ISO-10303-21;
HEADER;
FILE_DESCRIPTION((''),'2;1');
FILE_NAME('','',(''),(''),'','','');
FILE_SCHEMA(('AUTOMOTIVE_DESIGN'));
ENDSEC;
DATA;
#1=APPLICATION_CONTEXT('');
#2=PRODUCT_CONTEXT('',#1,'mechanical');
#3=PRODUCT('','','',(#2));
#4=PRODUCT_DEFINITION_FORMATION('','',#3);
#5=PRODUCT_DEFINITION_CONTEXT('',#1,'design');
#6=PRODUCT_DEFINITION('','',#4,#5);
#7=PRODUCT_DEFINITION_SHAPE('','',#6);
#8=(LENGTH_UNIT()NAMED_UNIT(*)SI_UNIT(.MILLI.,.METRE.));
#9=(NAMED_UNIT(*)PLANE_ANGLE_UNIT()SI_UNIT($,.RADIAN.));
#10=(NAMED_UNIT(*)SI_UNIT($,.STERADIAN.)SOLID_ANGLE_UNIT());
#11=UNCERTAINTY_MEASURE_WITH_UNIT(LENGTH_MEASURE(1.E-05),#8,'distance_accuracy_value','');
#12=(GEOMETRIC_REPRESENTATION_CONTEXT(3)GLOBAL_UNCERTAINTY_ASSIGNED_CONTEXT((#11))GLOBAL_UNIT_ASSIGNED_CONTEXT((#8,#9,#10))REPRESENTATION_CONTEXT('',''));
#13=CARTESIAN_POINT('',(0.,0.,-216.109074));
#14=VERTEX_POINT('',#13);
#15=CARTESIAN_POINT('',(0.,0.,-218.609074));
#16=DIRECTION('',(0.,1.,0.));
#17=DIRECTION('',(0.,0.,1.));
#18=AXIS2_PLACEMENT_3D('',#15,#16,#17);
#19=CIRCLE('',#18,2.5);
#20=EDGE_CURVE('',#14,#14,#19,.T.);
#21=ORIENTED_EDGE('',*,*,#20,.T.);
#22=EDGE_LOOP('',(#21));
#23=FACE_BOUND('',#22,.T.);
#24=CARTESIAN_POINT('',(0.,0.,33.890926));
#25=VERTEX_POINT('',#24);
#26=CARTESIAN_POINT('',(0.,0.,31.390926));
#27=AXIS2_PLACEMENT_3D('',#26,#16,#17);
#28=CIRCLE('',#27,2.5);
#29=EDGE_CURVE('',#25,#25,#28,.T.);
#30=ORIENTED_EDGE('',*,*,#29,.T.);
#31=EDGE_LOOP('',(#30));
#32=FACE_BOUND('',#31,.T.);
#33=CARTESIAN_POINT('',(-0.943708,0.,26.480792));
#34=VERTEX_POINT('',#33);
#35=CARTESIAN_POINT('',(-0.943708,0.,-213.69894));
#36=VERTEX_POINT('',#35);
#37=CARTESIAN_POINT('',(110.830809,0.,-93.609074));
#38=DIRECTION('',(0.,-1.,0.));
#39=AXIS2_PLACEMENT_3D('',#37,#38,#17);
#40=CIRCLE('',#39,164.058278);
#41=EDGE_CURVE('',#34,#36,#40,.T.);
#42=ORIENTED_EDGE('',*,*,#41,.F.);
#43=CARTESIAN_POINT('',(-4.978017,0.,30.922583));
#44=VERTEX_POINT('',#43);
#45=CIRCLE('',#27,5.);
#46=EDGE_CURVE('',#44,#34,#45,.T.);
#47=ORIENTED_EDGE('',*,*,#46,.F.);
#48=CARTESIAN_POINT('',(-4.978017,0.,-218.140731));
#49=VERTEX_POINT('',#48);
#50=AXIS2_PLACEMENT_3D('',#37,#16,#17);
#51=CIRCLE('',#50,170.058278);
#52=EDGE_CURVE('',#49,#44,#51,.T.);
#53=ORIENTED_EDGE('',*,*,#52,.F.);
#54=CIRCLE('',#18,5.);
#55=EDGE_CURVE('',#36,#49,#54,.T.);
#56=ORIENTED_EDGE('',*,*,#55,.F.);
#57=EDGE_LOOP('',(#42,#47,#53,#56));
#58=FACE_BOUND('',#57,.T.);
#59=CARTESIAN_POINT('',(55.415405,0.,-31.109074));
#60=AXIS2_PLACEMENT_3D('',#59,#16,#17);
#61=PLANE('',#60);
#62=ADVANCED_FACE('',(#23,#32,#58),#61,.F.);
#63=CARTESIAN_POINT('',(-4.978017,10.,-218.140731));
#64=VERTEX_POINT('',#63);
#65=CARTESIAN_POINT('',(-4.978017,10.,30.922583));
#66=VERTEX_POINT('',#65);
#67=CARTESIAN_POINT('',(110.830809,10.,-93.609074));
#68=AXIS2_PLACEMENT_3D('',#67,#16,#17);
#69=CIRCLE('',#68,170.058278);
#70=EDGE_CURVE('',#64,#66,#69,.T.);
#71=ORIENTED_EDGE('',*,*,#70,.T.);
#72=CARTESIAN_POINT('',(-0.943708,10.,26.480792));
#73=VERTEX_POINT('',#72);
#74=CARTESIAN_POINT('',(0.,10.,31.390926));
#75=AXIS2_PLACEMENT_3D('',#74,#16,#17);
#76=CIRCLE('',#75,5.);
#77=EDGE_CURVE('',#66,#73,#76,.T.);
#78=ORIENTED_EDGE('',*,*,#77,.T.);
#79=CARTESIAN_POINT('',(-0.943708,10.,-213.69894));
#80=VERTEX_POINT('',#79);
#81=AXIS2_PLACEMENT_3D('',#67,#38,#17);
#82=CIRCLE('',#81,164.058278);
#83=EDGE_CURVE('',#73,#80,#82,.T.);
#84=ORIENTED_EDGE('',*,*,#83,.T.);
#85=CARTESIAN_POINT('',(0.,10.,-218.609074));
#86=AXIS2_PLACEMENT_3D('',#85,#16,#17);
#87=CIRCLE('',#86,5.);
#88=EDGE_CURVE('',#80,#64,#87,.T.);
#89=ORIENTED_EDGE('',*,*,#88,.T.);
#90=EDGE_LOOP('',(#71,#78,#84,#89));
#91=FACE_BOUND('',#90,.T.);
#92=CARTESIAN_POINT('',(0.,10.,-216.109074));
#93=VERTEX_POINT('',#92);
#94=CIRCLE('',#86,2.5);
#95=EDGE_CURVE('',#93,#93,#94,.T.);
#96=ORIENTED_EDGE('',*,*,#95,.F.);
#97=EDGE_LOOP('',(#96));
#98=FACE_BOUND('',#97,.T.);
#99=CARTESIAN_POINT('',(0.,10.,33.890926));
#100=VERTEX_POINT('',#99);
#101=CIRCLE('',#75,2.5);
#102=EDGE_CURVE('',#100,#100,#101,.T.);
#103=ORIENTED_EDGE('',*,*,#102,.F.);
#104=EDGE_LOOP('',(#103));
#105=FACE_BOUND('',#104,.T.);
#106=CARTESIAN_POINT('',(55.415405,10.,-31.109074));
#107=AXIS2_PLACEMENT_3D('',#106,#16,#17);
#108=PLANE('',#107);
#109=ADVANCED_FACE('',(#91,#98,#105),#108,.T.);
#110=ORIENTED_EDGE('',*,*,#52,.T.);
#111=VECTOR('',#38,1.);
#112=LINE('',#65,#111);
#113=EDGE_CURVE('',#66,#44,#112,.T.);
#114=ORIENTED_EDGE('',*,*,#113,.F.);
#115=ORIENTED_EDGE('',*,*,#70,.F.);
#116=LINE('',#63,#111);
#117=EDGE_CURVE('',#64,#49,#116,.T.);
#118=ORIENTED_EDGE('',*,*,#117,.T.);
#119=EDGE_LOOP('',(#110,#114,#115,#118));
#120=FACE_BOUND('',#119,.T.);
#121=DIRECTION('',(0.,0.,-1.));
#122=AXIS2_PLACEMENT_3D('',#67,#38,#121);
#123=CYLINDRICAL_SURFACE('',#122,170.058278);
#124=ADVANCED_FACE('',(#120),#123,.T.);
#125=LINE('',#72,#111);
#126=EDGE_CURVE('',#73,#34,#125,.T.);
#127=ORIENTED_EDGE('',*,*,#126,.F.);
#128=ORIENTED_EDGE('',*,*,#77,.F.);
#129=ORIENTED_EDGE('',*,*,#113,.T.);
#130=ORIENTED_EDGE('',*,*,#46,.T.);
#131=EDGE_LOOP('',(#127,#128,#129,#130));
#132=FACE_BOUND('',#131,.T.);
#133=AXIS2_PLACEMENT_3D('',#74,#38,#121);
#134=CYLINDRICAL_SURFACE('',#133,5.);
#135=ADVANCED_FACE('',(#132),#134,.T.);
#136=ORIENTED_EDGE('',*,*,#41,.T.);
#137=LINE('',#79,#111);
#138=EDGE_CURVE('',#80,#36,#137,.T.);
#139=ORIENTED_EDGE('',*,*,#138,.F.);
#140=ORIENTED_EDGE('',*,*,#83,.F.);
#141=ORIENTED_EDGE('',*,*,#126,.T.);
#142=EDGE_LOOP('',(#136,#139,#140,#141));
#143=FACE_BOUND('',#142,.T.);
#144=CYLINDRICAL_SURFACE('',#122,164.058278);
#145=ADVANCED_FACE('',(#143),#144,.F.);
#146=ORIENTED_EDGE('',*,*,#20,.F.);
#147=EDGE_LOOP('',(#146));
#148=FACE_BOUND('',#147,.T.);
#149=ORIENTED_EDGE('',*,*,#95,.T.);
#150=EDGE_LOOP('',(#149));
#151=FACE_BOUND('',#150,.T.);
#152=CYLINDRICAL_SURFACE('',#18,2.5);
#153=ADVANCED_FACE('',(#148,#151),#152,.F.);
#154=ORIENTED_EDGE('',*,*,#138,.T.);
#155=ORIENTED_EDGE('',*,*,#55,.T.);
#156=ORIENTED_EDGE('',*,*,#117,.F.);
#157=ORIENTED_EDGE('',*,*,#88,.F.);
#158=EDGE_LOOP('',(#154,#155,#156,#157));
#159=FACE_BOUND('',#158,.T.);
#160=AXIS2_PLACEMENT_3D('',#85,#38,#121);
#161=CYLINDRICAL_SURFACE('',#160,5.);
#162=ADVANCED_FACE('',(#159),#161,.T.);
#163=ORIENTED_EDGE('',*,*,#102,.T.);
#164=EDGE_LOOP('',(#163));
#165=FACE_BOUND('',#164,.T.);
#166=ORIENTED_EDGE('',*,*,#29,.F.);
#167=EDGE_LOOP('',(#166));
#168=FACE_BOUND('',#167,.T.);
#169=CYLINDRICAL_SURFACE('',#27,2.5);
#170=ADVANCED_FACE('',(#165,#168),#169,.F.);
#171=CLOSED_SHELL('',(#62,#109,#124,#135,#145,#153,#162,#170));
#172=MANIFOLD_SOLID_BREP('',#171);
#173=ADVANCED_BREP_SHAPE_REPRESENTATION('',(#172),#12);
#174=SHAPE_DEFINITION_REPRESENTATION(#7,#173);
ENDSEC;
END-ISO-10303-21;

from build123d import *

# Parameters (mm, degrees)
BOSS_EXTRU_1_DEPTH      = 10
ESQUISSE2_R             = 2.5
ENL_V_MAT_EXTRU_1_DEPTH = 10


with BuildPart() as part:
    # Esquisse1 → Boss.-Extru.1 (new body)
    with BuildSketch(Plane(origin=(0, 0, 0), x_dir=(1, 0, 0), z_dir=(0, 1, 0))):
        with BuildLine():
            ThreePointArc((-0.943707896, 213.69893991), (3.70122741, 221.970757316), (-4.978017186, 218.140731151))
            ThreePointArc((-4.978017186, 218.140731151), (-59.227468872, 93.60907386), (-4.978017186, -30.92258343))
            ThreePointArc((-4.978017186, -30.92258343), (3.70122741, -34.752609595), (-0.943707895, -26.48079219))
            ThreePointArc((-0.943707895, -26.48079219), (-53.227468872, 93.60907386), (-0.943707896, 213.69893991))
        make_face()
    extrude(amount=BOSS_EXTRU_1_DEPTH)

    # Esquisse2 → Enlèv. mat.-Extru.1 (cut)
    with BuildSketch(Plane(origin=(0, 10, 0), x_dir=(1, 0, 0), z_dir=(0, 1, 0))):
        with Locations(Location((0, 218.60907386, 0), (0, 0, 270))):
            Circle(ESQUISSE2_R)
        with Locations(Location((0, -31.39092614, 0), (0, 0, 270))):
            Circle(ESQUISSE2_R)
    extrude(amount=-ENL_V_MAT_EXTRU_1_DEPTH, mode=Mode.SUBTRACT)


solid = part.part
